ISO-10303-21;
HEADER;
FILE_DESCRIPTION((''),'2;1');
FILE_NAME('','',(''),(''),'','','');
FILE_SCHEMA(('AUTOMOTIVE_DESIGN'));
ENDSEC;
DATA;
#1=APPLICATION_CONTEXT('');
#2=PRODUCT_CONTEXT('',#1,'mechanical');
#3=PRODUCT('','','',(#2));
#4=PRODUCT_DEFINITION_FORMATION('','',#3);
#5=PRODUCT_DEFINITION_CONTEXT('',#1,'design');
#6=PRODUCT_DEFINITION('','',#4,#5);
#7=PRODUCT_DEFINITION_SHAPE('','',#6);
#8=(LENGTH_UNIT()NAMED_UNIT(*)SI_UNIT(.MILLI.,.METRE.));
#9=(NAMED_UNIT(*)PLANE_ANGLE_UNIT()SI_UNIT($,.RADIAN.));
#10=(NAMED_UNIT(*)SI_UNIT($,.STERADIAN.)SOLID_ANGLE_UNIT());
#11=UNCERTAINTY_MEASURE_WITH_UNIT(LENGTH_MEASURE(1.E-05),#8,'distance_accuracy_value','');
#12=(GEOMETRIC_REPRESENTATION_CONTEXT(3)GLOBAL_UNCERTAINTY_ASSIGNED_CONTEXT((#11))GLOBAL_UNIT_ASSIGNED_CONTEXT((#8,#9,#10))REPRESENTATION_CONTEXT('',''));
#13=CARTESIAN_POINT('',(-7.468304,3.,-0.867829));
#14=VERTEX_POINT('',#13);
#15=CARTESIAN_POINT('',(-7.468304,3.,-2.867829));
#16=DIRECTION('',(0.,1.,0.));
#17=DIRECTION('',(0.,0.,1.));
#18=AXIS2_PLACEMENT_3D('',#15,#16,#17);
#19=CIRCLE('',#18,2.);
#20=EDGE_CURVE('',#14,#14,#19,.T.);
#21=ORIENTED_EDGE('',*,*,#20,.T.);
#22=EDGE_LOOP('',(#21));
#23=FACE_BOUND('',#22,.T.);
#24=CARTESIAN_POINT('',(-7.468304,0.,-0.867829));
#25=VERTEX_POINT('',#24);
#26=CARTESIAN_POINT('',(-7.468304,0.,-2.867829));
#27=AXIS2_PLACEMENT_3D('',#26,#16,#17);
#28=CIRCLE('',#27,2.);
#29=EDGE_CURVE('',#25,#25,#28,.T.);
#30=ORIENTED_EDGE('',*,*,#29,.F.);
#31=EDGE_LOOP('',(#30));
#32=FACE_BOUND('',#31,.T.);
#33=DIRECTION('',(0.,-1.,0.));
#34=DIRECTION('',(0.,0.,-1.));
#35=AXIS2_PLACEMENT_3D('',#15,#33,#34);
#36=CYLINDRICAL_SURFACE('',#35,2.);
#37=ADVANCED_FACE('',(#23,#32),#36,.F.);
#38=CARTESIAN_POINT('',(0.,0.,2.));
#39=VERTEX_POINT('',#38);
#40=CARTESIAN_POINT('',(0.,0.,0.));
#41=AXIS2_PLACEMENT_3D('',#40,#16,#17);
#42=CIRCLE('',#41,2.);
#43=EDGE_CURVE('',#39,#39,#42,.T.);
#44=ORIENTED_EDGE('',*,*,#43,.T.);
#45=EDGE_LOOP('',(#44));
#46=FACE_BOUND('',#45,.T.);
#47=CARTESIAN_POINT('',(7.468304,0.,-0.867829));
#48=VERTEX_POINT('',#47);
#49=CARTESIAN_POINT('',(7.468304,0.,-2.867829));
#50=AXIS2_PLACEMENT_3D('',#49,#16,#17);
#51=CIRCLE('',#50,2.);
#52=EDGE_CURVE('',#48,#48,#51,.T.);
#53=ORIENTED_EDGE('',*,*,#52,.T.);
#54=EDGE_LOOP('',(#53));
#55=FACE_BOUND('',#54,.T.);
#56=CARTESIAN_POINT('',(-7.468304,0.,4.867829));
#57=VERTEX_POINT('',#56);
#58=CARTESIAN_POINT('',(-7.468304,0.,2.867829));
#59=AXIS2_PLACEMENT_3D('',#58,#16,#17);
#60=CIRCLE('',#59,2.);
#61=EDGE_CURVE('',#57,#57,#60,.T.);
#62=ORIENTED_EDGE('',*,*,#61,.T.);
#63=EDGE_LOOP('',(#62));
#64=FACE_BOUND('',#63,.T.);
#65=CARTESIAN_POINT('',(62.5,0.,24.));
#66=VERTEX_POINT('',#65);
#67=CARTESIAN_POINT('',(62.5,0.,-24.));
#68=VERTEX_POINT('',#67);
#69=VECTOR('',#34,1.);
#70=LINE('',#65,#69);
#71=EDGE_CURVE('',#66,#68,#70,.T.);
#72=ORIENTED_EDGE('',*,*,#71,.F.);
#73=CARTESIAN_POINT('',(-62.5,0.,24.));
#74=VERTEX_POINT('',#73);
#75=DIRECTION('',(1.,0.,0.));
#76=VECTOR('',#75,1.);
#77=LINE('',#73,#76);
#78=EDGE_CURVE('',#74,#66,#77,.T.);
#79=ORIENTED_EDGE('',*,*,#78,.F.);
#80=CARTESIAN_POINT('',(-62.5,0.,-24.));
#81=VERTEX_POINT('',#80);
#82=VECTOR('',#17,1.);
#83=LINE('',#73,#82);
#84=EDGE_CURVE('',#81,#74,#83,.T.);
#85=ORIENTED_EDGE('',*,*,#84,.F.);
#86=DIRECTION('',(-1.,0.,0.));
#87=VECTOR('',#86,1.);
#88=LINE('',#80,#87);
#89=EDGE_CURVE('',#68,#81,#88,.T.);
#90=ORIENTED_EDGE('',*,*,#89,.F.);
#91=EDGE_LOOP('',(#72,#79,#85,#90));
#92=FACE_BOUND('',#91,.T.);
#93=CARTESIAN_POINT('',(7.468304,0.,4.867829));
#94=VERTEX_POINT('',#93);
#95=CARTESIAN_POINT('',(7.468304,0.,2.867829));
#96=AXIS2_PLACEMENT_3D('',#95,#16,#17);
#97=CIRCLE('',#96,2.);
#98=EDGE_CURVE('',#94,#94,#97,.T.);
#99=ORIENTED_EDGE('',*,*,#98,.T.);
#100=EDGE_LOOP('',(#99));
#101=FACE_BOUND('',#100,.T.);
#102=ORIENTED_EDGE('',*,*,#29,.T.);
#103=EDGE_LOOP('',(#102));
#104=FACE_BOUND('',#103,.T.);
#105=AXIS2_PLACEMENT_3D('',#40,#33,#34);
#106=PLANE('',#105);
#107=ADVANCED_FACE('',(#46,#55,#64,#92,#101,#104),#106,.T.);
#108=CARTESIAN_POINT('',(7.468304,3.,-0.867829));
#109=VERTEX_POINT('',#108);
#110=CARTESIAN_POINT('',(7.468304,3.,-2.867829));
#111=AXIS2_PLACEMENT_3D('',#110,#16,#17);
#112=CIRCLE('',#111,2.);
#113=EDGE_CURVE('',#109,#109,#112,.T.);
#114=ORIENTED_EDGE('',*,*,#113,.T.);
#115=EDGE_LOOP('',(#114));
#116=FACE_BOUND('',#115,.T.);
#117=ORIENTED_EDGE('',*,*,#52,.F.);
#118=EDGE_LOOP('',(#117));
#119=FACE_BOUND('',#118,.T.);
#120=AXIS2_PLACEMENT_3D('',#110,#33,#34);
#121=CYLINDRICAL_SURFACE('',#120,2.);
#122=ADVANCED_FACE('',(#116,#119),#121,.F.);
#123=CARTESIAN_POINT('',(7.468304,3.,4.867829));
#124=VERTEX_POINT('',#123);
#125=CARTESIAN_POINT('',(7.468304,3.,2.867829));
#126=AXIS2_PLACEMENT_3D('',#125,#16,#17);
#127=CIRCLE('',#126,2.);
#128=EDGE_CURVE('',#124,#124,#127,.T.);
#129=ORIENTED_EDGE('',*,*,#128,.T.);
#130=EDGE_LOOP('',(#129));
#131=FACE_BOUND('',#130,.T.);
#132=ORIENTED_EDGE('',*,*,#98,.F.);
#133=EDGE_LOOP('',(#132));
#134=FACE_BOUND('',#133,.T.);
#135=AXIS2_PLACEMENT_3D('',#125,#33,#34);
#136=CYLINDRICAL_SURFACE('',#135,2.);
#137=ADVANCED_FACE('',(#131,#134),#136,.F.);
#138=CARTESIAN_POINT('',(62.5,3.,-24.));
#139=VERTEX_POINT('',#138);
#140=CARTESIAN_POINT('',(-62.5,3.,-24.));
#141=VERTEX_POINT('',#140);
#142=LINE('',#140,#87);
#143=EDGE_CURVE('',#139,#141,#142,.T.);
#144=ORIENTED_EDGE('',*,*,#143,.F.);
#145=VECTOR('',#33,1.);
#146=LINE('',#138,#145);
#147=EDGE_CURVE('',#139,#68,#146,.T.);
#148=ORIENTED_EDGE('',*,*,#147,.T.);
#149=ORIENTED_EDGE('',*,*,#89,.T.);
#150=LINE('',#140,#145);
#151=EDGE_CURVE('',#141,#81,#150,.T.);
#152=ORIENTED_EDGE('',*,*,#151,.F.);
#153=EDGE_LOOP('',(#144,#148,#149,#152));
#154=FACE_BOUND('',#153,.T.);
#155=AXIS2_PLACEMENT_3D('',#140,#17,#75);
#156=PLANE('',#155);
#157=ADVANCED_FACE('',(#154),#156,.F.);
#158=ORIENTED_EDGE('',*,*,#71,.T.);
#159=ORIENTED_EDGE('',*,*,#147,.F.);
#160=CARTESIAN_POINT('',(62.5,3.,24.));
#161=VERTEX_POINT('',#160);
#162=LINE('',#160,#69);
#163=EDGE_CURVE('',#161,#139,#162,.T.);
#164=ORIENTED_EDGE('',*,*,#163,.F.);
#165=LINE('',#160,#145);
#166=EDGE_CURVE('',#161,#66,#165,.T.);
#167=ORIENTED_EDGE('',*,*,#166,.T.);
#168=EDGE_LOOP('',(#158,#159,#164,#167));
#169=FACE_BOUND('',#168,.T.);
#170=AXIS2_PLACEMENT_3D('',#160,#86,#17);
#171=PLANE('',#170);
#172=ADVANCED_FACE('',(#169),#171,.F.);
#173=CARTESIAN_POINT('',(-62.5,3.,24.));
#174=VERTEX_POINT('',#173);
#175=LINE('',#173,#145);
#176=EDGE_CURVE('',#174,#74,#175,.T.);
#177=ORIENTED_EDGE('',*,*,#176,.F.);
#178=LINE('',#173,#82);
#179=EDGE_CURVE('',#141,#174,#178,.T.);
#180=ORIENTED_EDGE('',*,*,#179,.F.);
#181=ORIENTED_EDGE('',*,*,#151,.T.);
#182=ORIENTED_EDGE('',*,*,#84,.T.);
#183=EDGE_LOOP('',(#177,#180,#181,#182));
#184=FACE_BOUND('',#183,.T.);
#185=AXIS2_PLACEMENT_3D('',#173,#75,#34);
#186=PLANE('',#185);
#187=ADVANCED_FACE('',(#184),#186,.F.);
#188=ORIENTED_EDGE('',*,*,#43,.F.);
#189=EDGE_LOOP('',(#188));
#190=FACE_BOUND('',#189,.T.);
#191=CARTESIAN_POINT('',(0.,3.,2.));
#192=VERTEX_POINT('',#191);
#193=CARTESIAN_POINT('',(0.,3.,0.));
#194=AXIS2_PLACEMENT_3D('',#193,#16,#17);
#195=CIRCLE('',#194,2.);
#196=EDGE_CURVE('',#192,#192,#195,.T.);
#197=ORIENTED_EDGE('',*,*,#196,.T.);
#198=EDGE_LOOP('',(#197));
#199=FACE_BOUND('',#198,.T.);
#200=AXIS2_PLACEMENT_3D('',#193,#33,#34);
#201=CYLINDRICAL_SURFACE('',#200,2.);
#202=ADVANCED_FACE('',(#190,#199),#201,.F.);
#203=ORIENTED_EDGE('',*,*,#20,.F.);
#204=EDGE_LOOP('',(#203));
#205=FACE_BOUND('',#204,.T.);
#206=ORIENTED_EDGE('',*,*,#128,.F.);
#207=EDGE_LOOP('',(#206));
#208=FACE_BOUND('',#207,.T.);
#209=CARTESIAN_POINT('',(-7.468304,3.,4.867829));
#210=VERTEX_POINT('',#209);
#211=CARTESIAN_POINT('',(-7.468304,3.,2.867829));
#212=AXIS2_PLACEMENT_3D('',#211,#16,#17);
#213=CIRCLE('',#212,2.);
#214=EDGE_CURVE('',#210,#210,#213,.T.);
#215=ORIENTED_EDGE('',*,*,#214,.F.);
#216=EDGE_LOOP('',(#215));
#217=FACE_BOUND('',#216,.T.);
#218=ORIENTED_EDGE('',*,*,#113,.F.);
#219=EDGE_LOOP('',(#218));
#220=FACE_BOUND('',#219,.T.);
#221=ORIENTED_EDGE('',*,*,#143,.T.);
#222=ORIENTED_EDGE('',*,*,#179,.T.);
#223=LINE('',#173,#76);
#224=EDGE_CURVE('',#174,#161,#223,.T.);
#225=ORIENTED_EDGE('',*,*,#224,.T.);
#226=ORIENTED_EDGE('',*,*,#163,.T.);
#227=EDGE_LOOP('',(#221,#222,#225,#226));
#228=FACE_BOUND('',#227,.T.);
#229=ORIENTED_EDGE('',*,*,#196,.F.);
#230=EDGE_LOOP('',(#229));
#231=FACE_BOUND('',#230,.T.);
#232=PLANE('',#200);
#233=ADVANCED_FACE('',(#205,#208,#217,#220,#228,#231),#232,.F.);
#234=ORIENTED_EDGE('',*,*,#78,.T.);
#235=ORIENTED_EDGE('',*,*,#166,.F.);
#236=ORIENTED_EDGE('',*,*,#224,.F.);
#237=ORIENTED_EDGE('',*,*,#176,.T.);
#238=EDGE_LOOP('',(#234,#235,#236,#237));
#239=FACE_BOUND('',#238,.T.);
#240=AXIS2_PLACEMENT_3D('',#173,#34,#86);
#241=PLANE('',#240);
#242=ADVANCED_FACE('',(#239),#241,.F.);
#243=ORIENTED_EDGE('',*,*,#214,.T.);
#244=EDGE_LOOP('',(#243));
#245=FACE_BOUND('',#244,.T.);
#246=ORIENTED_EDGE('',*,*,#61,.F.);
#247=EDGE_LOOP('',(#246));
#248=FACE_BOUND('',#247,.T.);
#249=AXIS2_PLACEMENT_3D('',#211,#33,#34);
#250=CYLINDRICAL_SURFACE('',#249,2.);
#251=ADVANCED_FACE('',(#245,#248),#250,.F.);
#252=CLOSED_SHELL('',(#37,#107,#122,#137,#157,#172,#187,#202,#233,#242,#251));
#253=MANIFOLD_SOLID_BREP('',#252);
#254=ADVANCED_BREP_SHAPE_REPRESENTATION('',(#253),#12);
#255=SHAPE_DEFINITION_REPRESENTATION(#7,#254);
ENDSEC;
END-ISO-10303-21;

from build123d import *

# Parameters (mm, degrees)
SKETCH1_W           = 125
SKETCH1_H           = 48
SKETCH1_R           = 2
BOSS_EXTRUDE1_DEPTH = 3


with BuildPart() as part:
    # Sketch1 → Boss-Extrude1 (new body)
    with BuildSketch(Plane(origin=(0, 0, 0), x_dir=(1, 0, 0), z_dir=(0, 1, 0))):
        Rectangle(SKETCH1_W, SKETCH1_H)
        with Locations(Location((0, 0, 0), (0, 0, 270))):
            Circle(SKETCH1_R, mode=Mode.SUBTRACT)
        with Locations(Location((-7.468303633, 2.867828595, 0), (0, 0, 270))):
            Circle(SKETCH1_R, mode=Mode.SUBTRACT)
        with Locations(Location((7.468303633, -2.867828595, 0), (0, 0, 270))):
            Circle(SKETCH1_R, mode=Mode.SUBTRACT)
        with Locations(Location((-7.468303633, -2.867828595, 0), (0, 0, 270))):
            Circle(SKETCH1_R, mode=Mode.SUBTRACT)
        with Locations(Location((7.468303633, 2.867828595, 0), (0, 0, 270))):
            Circle(SKETCH1_R, mode=Mode.SUBTRACT)
    extrude(amount=BOSS_EXTRUDE1_DEPTH)


solid = part.part
